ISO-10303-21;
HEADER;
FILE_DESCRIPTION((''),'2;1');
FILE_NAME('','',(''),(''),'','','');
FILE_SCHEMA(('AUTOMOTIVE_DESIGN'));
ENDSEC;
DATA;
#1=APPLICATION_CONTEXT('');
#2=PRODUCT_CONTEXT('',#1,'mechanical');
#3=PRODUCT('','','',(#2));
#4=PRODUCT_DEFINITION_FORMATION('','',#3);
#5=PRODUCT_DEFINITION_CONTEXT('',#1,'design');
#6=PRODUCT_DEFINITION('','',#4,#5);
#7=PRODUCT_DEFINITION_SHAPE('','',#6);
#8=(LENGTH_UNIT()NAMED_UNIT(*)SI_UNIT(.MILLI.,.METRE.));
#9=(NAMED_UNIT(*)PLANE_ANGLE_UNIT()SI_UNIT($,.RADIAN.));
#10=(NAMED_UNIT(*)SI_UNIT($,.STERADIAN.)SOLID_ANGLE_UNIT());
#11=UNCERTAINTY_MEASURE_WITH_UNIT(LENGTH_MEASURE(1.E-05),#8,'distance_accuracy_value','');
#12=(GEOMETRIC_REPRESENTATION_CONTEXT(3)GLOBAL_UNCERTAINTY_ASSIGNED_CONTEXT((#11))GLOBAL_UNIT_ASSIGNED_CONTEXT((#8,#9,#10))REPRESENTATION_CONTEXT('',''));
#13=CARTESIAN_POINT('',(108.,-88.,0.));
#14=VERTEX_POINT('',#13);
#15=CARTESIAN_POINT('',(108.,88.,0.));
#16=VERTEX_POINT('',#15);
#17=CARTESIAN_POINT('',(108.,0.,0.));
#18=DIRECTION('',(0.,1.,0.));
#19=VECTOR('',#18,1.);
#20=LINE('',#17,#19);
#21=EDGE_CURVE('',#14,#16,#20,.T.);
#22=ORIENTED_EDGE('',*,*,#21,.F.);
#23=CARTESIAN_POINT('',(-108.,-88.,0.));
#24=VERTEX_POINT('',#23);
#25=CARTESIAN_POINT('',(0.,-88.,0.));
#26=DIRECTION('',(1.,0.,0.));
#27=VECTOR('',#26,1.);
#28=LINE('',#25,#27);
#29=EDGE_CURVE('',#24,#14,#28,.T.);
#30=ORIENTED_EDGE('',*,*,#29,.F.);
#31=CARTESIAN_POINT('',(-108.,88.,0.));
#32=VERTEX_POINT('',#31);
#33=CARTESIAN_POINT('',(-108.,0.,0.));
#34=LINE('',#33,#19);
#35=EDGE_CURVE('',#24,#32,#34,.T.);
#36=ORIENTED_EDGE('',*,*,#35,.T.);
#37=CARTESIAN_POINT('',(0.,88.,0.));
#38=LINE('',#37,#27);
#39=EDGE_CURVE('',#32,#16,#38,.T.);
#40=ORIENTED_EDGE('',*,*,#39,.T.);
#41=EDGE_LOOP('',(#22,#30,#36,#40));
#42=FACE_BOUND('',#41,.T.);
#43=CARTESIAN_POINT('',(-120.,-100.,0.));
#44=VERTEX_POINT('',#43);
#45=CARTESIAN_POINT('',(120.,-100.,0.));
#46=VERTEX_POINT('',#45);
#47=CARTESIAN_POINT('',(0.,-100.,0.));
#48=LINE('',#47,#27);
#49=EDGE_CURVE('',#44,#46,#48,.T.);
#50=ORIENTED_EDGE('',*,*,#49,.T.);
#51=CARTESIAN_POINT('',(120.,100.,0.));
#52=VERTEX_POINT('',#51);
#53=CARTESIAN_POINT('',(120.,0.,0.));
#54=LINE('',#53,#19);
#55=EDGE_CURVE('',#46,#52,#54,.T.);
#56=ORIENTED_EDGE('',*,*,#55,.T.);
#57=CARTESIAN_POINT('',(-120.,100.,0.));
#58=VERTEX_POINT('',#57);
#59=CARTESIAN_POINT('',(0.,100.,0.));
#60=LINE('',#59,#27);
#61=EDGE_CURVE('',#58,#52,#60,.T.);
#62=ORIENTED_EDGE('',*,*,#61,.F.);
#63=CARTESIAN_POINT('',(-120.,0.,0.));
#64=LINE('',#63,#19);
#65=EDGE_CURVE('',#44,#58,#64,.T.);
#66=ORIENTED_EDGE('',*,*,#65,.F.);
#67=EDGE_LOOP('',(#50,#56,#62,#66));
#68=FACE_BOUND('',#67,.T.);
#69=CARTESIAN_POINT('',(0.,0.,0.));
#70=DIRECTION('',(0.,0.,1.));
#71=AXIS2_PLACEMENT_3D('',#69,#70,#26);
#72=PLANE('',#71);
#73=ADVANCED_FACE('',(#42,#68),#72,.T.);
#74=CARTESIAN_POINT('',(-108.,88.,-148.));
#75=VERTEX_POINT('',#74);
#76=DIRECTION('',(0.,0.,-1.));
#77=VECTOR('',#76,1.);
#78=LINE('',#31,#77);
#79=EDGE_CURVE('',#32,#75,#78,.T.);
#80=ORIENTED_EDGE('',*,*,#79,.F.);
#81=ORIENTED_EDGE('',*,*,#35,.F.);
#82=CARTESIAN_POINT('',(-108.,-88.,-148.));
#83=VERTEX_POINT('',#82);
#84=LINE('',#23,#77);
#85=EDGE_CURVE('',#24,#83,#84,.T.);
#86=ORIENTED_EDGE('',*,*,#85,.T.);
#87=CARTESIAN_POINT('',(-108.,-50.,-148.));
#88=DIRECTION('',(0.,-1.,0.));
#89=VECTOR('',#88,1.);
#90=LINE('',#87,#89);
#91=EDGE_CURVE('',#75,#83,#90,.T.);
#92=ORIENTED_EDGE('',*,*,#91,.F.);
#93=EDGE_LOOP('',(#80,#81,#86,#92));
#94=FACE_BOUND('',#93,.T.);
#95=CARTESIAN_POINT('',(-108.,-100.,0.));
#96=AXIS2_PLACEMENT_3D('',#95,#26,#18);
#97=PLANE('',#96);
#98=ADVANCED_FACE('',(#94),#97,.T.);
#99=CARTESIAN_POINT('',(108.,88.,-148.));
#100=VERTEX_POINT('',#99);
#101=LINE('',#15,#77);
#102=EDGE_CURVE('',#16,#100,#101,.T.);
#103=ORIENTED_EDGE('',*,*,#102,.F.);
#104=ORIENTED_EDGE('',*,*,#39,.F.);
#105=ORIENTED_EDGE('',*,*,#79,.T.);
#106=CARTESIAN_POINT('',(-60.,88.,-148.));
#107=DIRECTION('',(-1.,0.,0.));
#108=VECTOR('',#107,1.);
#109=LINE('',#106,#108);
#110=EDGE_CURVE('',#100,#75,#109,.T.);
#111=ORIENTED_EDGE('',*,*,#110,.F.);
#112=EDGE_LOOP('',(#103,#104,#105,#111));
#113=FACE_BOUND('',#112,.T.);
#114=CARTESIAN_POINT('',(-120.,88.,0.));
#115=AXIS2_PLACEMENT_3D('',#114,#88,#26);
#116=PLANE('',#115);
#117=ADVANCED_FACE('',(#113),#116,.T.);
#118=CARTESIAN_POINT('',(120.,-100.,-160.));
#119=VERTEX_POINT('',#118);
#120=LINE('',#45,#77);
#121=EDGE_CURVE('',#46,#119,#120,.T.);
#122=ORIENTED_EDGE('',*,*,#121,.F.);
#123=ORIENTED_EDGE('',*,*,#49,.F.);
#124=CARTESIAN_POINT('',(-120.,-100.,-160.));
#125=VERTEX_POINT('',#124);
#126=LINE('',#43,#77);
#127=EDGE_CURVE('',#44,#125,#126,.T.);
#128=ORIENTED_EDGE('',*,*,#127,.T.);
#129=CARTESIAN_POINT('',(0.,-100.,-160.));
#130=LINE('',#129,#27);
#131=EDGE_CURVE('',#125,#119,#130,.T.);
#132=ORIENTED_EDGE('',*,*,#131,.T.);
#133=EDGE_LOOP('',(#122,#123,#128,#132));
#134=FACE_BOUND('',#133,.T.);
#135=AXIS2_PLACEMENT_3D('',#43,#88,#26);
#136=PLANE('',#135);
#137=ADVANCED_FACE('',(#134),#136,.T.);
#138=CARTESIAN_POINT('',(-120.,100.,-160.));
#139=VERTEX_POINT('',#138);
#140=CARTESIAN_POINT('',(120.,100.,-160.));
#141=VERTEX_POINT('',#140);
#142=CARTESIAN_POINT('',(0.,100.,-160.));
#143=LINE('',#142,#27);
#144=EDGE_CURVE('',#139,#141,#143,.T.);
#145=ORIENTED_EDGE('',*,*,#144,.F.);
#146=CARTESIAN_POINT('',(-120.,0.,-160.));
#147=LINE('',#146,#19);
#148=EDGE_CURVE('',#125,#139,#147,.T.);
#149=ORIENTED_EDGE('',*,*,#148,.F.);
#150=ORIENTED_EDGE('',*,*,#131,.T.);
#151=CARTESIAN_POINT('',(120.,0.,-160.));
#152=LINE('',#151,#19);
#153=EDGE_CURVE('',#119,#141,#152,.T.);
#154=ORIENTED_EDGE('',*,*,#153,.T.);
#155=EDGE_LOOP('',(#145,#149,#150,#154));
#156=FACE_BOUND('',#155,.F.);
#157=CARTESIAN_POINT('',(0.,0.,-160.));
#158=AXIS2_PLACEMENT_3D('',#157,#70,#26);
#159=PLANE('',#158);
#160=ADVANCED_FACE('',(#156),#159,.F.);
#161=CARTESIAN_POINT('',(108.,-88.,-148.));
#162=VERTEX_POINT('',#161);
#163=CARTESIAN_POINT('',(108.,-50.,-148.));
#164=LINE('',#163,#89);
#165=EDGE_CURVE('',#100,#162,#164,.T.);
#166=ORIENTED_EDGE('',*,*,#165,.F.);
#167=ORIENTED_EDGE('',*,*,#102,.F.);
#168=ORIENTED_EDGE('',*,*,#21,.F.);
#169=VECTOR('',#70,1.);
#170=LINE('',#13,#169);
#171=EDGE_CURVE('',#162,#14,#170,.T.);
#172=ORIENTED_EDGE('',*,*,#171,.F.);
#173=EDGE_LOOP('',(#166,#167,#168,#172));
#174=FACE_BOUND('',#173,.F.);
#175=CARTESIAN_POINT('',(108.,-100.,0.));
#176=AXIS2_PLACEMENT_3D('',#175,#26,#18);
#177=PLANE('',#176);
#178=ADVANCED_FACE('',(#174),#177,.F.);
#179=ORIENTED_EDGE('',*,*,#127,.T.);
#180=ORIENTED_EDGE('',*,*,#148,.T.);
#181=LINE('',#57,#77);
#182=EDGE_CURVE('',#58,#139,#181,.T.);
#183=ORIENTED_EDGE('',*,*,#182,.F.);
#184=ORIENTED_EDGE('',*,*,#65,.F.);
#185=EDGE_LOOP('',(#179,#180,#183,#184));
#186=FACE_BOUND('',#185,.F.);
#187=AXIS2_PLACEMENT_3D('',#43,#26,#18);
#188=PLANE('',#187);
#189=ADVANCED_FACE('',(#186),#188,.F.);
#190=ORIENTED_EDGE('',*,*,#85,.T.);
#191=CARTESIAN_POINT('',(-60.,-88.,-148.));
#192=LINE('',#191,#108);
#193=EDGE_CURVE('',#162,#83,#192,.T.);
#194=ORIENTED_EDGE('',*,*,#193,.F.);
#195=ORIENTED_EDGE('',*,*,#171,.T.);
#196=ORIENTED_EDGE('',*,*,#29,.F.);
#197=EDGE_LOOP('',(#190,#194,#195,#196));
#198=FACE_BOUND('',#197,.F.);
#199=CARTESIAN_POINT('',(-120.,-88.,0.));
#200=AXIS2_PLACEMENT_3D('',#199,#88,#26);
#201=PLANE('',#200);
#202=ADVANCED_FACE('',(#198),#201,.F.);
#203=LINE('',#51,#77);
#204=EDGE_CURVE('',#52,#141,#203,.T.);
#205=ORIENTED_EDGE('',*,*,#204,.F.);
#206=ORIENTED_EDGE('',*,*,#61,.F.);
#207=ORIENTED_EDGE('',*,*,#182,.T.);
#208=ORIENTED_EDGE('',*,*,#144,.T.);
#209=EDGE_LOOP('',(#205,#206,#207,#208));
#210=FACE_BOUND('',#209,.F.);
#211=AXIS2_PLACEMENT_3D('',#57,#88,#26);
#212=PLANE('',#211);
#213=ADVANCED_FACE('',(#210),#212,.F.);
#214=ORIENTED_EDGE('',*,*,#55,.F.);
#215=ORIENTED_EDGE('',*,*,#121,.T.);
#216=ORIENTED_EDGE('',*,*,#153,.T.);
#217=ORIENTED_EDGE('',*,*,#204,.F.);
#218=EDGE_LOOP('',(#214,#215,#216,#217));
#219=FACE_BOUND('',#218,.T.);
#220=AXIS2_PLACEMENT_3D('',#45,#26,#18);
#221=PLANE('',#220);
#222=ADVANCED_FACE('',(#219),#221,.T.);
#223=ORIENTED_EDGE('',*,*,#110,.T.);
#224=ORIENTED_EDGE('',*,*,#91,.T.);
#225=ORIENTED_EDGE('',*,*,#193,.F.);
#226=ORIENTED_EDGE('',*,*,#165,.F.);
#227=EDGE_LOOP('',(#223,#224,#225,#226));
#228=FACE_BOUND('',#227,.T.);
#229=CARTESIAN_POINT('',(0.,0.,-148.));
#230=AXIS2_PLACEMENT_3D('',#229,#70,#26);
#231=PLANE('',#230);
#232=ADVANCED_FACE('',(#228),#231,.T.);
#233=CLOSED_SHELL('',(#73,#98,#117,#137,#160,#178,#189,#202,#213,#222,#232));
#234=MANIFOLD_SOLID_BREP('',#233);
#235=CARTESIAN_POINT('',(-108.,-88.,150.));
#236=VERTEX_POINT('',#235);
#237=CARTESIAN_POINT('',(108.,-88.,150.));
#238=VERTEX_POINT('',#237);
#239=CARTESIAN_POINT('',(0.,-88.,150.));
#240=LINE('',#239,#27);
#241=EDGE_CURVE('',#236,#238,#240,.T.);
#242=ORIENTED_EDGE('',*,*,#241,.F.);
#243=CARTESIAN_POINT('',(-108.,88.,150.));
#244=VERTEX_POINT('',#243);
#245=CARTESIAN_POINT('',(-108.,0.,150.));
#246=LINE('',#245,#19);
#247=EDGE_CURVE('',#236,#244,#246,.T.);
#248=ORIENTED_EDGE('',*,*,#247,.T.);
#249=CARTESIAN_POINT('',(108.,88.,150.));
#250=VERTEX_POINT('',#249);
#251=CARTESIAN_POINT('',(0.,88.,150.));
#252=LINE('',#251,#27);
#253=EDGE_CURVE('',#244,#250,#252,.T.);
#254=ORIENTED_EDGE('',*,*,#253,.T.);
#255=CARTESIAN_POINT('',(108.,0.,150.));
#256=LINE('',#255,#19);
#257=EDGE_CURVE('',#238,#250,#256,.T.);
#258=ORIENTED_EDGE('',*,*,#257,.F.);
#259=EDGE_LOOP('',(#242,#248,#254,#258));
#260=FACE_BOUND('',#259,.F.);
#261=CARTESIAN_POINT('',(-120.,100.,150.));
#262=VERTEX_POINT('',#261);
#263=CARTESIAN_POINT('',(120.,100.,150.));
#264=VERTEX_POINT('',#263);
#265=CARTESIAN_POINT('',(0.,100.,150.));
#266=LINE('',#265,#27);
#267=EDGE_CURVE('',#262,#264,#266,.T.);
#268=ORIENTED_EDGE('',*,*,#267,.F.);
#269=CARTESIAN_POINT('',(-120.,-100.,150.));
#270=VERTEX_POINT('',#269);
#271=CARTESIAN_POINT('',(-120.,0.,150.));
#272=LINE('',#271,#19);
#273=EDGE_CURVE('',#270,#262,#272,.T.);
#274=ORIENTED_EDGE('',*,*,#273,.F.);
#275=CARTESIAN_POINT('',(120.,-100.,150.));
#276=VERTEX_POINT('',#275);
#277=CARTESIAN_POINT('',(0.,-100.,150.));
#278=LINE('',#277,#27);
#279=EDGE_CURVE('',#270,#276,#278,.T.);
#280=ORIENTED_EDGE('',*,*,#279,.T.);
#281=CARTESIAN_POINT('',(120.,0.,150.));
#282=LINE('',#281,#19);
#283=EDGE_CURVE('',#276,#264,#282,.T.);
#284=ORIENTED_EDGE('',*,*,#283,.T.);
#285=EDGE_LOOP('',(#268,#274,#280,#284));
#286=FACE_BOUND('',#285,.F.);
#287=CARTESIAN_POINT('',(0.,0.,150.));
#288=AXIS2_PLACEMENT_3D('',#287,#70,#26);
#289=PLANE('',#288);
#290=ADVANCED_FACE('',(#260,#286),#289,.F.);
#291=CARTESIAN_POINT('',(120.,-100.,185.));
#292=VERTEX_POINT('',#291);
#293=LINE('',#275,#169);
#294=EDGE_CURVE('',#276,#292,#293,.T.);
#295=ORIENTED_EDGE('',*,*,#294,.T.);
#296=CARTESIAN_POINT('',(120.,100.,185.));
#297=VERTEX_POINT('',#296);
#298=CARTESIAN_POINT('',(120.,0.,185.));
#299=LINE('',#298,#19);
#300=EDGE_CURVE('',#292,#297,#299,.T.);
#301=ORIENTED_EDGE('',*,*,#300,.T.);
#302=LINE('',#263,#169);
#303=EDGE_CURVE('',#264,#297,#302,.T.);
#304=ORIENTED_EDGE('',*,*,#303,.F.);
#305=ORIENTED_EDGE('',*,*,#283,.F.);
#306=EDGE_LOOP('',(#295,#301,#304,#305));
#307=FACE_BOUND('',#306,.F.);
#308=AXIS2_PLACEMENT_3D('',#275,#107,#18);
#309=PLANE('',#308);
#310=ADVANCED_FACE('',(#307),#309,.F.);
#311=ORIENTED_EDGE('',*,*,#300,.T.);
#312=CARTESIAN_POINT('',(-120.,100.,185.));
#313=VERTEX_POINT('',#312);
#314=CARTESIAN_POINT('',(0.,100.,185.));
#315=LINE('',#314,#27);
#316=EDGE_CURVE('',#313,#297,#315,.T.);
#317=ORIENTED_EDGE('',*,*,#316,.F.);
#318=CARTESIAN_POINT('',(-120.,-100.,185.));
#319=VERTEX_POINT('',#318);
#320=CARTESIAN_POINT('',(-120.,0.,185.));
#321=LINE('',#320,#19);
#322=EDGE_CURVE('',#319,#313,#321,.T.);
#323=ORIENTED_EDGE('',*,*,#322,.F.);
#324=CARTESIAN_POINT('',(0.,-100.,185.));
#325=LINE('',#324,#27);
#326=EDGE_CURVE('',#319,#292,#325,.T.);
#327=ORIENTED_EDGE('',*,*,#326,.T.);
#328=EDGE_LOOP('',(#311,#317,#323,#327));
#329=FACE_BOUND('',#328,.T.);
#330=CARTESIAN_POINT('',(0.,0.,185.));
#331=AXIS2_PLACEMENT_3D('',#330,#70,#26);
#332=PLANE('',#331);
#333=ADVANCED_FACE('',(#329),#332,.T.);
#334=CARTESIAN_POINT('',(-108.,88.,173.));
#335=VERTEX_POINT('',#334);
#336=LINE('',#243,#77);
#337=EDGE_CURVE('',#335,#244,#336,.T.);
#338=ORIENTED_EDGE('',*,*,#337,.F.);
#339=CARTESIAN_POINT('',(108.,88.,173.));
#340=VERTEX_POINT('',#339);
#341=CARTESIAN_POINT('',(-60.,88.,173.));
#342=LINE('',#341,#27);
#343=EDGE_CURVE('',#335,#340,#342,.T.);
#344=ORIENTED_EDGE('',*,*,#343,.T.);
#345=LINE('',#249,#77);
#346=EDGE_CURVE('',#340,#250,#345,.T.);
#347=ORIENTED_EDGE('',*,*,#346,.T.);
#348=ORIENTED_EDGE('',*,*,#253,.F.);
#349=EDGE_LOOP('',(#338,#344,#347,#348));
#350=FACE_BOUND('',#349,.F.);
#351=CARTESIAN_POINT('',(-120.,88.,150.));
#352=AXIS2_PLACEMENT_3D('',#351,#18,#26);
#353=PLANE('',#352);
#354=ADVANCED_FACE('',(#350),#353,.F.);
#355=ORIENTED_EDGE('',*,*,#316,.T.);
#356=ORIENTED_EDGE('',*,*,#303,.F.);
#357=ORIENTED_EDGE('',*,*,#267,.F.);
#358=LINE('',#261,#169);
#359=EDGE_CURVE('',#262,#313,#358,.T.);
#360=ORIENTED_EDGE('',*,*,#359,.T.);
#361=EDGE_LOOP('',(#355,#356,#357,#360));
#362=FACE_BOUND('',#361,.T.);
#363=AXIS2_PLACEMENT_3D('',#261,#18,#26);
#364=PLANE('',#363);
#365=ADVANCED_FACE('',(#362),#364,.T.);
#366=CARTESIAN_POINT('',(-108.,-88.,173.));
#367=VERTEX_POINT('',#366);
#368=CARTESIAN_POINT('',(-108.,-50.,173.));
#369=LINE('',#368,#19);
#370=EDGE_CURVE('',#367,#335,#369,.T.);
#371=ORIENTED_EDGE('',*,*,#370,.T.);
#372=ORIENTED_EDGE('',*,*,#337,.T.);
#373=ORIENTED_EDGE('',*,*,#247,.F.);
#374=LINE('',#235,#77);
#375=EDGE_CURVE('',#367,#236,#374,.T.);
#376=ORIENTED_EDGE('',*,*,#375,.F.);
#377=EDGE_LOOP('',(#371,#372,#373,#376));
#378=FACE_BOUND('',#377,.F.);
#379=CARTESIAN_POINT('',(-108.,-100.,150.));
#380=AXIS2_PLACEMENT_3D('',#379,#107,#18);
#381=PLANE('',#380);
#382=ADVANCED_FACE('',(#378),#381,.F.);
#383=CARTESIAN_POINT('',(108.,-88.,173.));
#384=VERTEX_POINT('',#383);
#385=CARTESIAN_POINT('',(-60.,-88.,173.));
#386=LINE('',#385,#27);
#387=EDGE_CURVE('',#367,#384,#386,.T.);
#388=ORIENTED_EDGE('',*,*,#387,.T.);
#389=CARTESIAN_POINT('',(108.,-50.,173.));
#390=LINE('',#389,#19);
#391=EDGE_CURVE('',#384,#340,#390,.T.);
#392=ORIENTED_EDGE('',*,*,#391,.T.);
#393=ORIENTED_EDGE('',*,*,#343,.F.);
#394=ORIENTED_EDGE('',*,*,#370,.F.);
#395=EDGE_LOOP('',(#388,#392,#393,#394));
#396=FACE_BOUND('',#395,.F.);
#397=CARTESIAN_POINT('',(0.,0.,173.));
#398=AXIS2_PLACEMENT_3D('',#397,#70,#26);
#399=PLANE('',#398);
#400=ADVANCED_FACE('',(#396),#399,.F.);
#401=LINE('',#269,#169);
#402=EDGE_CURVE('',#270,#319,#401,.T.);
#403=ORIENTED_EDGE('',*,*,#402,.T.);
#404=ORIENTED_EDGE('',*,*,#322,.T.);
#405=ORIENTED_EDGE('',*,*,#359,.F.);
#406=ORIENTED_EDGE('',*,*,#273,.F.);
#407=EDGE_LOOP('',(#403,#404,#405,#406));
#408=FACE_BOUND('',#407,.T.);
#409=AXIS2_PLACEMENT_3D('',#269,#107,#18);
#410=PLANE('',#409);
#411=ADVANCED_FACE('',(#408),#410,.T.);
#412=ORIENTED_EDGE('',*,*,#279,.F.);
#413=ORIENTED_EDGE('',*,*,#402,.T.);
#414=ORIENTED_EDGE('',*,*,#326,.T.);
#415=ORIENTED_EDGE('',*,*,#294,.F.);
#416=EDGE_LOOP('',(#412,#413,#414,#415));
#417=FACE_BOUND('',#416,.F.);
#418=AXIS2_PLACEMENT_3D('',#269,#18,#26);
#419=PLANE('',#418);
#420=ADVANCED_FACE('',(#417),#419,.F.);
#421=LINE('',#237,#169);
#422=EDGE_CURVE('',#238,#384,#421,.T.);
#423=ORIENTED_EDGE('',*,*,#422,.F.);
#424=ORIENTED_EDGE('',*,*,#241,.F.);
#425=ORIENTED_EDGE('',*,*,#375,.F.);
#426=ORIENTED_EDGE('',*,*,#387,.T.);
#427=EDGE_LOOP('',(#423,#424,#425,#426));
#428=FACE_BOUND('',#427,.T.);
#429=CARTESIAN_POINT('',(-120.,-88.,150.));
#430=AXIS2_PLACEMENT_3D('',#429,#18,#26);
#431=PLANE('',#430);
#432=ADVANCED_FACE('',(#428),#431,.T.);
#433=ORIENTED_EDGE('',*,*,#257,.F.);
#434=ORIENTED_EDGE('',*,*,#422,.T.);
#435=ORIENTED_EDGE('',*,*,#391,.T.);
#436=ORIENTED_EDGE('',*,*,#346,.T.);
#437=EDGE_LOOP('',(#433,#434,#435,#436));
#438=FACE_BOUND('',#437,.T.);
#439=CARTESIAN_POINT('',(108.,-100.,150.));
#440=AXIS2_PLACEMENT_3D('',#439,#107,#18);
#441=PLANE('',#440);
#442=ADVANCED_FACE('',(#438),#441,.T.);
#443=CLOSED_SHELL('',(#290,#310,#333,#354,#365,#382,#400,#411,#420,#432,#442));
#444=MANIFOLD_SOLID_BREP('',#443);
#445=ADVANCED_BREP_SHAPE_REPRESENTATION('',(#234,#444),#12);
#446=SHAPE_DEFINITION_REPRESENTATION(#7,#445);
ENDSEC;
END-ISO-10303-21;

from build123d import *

# Parameters (mm, degrees)
F0_W     = 240
F0_H     = 200
F1_DEPTH = 160
F2_T     = -12
F4_W     = 240
F4_H     = 200
F5_DEPTH = 35
F6_T     = -12


with BuildPart() as f1:
    # F0 (on Top) → F1 (new body)
    with BuildSketch(Plane.XY):
        Rectangle(F0_W, F0_H)
    extrude(amount=-F1_DEPTH)

    # F2
    f2_openings = [f1.faces().sort_by_distance(p)[0] for p in [
        (0, 0, 0),
    ]]
    offset(amount=F2_T, openings=f2_openings)


with BuildPart() as f5:
    # F4 (on offset) → F5 (new body)
    with BuildSketch(Plane.XY.offset(150)):
        Rectangle(F4_W, F4_H)
    extrude(amount=F5_DEPTH)

    # F6
    f6_openings = [f5.faces().sort_by_distance(p)[0] for p in [
        (0, 0, 150),
    ]]
    offset(amount=F6_T, openings=f6_openings)


solid = Compound([f1.part, f5.part])
